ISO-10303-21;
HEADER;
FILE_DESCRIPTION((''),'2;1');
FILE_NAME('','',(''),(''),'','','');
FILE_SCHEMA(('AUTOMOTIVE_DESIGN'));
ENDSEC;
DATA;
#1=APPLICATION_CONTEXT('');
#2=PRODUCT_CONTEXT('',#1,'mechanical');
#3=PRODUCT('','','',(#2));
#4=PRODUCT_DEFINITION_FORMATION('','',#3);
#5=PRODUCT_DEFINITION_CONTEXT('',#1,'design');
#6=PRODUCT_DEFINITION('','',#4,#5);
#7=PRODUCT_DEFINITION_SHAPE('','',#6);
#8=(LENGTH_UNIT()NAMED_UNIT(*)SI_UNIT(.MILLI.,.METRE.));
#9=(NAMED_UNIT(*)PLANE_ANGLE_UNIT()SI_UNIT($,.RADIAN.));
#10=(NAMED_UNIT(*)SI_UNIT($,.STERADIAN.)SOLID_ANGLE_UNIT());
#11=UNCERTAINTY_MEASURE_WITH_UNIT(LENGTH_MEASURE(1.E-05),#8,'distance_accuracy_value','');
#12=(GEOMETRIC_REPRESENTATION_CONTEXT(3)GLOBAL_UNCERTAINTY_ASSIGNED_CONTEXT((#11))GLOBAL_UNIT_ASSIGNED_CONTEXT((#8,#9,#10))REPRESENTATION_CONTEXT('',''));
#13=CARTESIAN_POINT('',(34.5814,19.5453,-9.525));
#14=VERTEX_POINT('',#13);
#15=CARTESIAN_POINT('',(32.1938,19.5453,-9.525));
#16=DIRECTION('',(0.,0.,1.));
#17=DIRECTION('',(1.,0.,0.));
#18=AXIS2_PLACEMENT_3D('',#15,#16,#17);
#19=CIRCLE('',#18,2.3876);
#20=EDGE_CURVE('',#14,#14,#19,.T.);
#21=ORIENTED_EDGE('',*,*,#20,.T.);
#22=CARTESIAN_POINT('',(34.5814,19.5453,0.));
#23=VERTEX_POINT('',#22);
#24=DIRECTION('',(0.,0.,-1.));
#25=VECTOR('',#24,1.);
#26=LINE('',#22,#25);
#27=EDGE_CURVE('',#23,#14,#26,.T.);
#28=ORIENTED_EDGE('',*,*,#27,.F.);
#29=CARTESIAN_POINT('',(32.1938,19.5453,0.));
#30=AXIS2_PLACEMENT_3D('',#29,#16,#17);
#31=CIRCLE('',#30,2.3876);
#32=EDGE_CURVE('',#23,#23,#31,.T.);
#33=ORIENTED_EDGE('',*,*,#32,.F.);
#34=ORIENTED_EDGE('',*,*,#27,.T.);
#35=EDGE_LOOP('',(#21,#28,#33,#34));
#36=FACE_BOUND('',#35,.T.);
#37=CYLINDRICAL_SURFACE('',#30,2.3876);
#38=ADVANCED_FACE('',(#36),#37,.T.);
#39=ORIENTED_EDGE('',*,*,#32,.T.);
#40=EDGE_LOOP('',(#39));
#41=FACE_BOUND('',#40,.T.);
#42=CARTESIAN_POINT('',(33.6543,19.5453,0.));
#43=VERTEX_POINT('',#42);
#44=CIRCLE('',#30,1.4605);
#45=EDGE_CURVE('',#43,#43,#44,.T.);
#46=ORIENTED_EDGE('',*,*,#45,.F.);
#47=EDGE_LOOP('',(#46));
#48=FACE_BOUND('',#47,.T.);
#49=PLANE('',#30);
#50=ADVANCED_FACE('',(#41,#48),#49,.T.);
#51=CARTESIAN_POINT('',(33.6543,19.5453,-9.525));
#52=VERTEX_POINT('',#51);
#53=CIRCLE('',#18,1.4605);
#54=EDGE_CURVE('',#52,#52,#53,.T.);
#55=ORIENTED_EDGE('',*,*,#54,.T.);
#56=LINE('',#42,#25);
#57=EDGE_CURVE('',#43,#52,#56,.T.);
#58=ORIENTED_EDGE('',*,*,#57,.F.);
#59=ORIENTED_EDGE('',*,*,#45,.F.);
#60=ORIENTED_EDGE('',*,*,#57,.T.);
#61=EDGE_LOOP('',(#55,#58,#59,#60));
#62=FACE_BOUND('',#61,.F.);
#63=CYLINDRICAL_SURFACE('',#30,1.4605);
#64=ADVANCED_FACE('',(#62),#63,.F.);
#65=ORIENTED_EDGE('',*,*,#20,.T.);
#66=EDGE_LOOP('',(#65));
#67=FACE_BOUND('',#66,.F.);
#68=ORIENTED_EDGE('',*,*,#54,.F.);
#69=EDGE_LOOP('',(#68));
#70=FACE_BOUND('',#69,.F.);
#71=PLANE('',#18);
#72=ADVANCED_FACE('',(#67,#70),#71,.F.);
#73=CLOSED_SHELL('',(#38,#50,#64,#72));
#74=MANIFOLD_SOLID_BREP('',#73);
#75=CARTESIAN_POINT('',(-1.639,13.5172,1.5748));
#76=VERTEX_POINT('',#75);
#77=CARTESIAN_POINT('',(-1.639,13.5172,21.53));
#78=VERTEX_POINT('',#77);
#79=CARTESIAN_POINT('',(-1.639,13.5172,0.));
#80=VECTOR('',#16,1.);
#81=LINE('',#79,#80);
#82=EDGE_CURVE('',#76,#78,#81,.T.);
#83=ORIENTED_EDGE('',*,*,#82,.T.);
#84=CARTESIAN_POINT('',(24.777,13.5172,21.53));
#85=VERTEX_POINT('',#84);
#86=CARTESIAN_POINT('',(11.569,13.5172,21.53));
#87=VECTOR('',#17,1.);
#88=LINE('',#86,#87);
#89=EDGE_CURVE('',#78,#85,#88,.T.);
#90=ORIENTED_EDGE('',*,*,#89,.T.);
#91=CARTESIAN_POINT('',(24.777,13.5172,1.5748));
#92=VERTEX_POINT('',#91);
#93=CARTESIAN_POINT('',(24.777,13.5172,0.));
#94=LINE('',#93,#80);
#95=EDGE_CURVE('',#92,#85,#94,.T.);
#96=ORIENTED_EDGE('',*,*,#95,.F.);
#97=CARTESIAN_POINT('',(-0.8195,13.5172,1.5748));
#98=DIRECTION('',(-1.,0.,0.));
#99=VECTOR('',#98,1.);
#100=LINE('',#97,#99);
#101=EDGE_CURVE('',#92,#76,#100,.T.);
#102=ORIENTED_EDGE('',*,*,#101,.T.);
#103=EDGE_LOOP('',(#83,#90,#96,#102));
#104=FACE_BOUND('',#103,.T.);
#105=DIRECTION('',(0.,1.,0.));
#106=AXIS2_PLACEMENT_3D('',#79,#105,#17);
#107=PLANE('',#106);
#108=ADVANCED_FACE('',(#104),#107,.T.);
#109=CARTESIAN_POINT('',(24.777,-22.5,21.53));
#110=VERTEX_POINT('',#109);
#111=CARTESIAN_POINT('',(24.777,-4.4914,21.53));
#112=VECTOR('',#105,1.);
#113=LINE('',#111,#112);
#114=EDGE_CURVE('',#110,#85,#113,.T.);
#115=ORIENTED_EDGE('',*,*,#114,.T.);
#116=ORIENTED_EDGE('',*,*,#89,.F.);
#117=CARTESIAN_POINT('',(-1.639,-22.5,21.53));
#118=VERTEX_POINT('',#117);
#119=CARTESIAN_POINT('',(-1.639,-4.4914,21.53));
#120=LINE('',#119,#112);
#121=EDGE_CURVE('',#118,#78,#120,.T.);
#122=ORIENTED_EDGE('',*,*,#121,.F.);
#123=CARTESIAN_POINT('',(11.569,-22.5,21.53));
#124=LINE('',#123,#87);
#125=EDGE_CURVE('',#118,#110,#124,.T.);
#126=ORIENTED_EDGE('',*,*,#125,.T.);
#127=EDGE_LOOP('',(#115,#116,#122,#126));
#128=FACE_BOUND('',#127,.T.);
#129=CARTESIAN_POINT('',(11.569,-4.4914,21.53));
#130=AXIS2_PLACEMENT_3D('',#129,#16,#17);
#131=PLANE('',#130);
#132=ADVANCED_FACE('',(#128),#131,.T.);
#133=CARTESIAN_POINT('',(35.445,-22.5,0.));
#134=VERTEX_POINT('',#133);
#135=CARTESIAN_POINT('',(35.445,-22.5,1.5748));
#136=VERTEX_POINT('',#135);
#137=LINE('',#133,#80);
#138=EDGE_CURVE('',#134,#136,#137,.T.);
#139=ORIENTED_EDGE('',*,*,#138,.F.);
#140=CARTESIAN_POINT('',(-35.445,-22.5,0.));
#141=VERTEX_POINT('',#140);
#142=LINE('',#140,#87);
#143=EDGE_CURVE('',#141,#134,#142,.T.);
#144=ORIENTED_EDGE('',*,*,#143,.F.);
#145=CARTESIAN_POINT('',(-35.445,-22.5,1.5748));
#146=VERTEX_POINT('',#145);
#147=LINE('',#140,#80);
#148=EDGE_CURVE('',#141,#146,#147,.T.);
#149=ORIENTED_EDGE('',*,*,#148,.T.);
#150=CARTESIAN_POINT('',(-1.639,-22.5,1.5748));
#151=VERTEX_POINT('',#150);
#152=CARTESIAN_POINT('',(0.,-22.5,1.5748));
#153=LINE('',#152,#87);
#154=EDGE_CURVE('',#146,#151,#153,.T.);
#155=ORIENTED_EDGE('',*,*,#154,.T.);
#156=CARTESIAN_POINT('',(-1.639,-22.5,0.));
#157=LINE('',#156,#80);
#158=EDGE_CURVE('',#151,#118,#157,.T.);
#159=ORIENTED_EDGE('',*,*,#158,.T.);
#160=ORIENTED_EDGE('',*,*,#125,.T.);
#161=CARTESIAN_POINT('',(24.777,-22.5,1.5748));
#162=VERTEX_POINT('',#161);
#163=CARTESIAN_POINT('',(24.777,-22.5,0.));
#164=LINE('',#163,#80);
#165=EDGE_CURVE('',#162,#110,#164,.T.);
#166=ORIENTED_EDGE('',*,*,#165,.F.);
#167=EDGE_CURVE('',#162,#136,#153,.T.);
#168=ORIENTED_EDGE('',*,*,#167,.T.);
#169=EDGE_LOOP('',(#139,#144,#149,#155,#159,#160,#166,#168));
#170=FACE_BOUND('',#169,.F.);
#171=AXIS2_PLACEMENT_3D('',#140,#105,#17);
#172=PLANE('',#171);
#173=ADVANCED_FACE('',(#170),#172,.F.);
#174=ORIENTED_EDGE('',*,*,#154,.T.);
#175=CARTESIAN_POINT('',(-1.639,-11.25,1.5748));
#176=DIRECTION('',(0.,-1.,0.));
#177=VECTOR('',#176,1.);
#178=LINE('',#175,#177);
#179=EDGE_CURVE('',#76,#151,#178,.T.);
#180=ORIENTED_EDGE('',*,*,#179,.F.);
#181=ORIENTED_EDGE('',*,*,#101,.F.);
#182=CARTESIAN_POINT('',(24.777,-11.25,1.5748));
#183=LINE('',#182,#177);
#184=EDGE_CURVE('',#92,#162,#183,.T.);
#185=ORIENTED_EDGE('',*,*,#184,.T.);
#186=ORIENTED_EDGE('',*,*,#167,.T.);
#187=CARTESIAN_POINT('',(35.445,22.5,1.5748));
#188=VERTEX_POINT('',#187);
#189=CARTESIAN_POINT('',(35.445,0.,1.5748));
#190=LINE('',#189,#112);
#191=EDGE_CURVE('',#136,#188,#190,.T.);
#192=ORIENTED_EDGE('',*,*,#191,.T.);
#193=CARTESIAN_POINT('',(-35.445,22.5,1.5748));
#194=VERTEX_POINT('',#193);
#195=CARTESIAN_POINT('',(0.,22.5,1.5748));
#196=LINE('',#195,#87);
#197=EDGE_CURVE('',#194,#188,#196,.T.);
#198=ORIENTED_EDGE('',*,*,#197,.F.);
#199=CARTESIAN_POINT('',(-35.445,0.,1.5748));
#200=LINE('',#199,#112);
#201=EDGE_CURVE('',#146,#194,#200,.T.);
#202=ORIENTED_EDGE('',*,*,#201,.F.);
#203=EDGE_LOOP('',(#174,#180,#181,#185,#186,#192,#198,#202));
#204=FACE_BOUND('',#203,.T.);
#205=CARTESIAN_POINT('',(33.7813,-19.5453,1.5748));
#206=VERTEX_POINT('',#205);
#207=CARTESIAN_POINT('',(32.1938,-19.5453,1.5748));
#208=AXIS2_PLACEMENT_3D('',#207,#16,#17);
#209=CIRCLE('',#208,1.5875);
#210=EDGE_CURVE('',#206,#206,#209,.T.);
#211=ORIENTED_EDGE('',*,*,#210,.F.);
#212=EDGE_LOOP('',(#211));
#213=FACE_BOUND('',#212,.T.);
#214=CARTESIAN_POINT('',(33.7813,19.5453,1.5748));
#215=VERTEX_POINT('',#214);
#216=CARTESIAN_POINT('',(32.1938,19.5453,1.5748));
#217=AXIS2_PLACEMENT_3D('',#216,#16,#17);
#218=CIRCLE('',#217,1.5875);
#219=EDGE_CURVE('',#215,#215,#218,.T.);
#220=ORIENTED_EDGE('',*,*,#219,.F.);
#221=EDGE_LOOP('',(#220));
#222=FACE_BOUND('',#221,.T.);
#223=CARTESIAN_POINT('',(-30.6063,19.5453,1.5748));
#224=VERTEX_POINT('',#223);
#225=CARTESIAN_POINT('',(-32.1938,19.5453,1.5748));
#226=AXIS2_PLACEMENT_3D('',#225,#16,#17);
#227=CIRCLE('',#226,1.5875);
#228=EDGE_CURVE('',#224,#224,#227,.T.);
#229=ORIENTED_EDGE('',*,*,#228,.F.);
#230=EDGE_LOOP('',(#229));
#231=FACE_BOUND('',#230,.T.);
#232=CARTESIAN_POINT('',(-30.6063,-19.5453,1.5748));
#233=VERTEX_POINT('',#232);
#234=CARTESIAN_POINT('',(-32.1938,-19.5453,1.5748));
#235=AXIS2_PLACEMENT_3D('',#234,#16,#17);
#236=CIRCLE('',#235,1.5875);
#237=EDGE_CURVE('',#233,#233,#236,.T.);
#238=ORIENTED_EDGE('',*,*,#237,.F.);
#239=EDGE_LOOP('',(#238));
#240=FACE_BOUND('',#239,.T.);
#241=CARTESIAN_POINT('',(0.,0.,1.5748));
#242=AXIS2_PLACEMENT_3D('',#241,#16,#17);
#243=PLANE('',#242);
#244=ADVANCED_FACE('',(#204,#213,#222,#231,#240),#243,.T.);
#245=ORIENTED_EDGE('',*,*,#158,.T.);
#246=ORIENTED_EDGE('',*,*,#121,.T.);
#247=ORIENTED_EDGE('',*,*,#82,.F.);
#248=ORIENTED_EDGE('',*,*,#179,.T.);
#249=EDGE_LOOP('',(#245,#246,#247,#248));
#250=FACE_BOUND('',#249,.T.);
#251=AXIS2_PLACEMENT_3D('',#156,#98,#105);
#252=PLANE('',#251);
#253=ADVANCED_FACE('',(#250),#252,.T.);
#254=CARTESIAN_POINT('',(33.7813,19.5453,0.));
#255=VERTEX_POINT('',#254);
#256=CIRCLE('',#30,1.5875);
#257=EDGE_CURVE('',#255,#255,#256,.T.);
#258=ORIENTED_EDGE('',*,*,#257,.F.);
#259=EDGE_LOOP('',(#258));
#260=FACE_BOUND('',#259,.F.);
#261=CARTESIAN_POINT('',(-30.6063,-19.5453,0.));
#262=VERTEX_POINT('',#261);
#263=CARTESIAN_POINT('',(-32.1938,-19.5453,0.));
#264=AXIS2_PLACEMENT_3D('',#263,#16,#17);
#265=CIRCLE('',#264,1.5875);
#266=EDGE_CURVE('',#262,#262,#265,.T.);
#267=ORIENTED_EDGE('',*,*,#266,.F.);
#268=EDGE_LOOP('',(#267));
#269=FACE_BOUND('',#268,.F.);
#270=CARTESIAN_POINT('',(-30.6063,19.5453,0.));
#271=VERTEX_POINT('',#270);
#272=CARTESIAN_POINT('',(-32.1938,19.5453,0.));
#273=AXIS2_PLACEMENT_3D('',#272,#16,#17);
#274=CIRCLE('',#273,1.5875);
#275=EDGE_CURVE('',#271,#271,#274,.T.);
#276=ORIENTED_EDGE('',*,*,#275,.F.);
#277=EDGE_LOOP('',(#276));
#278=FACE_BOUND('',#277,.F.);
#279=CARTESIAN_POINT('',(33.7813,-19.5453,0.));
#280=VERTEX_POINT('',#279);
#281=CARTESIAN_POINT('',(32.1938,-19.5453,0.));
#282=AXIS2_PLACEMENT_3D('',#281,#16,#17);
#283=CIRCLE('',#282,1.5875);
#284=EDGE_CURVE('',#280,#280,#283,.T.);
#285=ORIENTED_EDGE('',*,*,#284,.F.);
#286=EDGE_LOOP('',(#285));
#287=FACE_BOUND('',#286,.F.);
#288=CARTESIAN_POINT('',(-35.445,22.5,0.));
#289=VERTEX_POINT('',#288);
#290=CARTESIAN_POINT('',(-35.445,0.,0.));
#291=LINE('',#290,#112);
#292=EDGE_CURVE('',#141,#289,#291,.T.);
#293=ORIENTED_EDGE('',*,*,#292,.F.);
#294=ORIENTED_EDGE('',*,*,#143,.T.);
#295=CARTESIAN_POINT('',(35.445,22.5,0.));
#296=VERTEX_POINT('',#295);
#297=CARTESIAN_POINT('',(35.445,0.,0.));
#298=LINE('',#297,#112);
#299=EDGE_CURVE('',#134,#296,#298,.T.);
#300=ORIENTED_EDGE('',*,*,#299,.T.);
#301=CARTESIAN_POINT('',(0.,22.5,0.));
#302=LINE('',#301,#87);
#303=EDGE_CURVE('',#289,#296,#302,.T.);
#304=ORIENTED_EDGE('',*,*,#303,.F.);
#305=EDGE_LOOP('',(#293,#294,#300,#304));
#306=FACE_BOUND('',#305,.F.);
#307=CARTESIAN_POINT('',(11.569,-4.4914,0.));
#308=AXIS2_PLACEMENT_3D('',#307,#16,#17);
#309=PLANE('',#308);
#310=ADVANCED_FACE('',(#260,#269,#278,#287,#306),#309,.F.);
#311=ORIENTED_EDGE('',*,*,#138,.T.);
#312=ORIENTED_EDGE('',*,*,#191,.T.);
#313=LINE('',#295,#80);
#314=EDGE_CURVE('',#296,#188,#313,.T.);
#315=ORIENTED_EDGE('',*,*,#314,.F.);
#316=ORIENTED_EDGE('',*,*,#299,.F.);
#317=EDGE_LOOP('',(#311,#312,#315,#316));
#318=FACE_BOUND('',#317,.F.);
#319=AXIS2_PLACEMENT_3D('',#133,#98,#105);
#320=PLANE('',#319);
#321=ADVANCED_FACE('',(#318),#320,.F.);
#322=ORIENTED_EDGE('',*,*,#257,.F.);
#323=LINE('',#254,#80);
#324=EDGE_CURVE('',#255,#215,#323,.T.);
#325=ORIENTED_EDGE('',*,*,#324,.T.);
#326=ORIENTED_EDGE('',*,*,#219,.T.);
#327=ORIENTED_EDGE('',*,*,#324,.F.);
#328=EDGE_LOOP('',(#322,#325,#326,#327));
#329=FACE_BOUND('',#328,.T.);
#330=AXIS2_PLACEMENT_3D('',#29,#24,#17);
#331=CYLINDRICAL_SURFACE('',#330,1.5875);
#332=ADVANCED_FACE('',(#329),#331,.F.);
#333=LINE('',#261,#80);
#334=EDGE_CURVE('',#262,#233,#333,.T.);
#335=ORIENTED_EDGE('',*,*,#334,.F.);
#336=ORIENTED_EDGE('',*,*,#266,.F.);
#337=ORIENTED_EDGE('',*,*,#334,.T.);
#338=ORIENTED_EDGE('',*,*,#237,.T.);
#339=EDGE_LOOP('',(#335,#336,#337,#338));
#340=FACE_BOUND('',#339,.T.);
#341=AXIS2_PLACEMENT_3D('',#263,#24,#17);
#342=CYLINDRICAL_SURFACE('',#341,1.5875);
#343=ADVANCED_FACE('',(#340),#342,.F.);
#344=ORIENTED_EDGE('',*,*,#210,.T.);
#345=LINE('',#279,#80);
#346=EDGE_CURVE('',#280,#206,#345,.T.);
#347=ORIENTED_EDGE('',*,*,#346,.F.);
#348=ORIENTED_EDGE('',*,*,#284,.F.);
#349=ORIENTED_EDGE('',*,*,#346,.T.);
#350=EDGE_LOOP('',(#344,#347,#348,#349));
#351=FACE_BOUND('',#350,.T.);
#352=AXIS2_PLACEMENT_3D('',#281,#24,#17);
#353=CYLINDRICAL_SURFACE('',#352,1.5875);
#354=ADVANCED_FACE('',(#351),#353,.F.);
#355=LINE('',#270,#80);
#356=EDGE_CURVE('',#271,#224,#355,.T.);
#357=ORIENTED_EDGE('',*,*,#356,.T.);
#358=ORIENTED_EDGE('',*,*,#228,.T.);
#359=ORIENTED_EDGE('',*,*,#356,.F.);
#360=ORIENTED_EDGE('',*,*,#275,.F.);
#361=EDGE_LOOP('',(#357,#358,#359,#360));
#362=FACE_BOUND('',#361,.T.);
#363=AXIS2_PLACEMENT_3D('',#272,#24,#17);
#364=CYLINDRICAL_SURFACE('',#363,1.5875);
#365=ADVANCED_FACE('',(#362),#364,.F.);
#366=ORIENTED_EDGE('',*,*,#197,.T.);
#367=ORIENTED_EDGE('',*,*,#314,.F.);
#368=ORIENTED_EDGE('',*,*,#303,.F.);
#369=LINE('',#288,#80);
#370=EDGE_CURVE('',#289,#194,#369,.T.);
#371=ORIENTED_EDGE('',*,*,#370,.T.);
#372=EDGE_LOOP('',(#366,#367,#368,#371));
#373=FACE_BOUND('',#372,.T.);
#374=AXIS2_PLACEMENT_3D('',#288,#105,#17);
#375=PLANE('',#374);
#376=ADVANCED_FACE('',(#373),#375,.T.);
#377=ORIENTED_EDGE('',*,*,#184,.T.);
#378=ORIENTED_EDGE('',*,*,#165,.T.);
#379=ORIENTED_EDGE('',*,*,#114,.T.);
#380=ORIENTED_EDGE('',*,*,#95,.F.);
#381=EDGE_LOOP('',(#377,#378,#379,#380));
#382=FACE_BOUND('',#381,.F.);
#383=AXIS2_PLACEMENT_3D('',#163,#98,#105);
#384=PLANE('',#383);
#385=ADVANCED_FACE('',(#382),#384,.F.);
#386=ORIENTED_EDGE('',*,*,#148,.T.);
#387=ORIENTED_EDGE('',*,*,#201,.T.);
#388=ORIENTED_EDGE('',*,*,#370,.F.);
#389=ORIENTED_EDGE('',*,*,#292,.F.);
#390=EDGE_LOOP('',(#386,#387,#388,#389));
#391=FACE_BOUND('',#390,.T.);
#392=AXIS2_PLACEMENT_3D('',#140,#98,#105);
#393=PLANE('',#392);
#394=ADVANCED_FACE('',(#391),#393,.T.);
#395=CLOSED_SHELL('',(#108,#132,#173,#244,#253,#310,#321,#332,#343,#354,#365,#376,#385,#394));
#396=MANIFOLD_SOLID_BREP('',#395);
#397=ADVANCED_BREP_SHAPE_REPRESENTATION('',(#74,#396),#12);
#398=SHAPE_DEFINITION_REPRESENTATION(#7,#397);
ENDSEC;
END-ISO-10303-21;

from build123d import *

# Parameters (mm, degrees)
F0_W     = 70.89
F0_H     = 45
F0_R     = 1.5875
F1_DEPTH = 1.5748
F2_W     = 26.416
F2_H     = 36.0172
F3_DEPTH = 21.53
F4_R     = 2.3876
F4_R_2   = 1.4605
F5_DEPTH = 9.525


with BuildPart() as f1:
    # F0 (on Top) → F1 (new body)
    with BuildSketch(Plane.XY):
        Rectangle(F0_W, F0_H)
        with Locations((-32.1938, -19.5453)):
            Circle(F0_R, mode=Mode.SUBTRACT)
        with Locations((32.1938, -19.5453)):
            Circle(F0_R, mode=Mode.SUBTRACT)
        with Locations((-32.1938, 19.5453)):
            Circle(F0_R, mode=Mode.SUBTRACT)
        with Locations((32.1938, 19.5453)):
            Circle(F0_R, mode=Mode.SUBTRACT)
    extrude(amount=F1_DEPTH)

    # F2 (on Top) → F3 (join)
    with BuildSketch(Plane.XY):
        with Locations((11.569, -4.4914)):
            Rectangle(F2_W, F2_H)
    extrude(amount=F3_DEPTH)


with BuildPart() as f5:
    # F4 (on Top) → F5 (new body)
    with BuildSketch(Plane.XY):
        with Locations((32.1938, 19.5453)):
            Circle(F4_R)
        with Locations((32.1938, 19.5453)):
            Circle(F4_R_2, mode=Mode.SUBTRACT)
    extrude(amount=-F5_DEPTH)


solid = Compound([f1.part, f5.part])
